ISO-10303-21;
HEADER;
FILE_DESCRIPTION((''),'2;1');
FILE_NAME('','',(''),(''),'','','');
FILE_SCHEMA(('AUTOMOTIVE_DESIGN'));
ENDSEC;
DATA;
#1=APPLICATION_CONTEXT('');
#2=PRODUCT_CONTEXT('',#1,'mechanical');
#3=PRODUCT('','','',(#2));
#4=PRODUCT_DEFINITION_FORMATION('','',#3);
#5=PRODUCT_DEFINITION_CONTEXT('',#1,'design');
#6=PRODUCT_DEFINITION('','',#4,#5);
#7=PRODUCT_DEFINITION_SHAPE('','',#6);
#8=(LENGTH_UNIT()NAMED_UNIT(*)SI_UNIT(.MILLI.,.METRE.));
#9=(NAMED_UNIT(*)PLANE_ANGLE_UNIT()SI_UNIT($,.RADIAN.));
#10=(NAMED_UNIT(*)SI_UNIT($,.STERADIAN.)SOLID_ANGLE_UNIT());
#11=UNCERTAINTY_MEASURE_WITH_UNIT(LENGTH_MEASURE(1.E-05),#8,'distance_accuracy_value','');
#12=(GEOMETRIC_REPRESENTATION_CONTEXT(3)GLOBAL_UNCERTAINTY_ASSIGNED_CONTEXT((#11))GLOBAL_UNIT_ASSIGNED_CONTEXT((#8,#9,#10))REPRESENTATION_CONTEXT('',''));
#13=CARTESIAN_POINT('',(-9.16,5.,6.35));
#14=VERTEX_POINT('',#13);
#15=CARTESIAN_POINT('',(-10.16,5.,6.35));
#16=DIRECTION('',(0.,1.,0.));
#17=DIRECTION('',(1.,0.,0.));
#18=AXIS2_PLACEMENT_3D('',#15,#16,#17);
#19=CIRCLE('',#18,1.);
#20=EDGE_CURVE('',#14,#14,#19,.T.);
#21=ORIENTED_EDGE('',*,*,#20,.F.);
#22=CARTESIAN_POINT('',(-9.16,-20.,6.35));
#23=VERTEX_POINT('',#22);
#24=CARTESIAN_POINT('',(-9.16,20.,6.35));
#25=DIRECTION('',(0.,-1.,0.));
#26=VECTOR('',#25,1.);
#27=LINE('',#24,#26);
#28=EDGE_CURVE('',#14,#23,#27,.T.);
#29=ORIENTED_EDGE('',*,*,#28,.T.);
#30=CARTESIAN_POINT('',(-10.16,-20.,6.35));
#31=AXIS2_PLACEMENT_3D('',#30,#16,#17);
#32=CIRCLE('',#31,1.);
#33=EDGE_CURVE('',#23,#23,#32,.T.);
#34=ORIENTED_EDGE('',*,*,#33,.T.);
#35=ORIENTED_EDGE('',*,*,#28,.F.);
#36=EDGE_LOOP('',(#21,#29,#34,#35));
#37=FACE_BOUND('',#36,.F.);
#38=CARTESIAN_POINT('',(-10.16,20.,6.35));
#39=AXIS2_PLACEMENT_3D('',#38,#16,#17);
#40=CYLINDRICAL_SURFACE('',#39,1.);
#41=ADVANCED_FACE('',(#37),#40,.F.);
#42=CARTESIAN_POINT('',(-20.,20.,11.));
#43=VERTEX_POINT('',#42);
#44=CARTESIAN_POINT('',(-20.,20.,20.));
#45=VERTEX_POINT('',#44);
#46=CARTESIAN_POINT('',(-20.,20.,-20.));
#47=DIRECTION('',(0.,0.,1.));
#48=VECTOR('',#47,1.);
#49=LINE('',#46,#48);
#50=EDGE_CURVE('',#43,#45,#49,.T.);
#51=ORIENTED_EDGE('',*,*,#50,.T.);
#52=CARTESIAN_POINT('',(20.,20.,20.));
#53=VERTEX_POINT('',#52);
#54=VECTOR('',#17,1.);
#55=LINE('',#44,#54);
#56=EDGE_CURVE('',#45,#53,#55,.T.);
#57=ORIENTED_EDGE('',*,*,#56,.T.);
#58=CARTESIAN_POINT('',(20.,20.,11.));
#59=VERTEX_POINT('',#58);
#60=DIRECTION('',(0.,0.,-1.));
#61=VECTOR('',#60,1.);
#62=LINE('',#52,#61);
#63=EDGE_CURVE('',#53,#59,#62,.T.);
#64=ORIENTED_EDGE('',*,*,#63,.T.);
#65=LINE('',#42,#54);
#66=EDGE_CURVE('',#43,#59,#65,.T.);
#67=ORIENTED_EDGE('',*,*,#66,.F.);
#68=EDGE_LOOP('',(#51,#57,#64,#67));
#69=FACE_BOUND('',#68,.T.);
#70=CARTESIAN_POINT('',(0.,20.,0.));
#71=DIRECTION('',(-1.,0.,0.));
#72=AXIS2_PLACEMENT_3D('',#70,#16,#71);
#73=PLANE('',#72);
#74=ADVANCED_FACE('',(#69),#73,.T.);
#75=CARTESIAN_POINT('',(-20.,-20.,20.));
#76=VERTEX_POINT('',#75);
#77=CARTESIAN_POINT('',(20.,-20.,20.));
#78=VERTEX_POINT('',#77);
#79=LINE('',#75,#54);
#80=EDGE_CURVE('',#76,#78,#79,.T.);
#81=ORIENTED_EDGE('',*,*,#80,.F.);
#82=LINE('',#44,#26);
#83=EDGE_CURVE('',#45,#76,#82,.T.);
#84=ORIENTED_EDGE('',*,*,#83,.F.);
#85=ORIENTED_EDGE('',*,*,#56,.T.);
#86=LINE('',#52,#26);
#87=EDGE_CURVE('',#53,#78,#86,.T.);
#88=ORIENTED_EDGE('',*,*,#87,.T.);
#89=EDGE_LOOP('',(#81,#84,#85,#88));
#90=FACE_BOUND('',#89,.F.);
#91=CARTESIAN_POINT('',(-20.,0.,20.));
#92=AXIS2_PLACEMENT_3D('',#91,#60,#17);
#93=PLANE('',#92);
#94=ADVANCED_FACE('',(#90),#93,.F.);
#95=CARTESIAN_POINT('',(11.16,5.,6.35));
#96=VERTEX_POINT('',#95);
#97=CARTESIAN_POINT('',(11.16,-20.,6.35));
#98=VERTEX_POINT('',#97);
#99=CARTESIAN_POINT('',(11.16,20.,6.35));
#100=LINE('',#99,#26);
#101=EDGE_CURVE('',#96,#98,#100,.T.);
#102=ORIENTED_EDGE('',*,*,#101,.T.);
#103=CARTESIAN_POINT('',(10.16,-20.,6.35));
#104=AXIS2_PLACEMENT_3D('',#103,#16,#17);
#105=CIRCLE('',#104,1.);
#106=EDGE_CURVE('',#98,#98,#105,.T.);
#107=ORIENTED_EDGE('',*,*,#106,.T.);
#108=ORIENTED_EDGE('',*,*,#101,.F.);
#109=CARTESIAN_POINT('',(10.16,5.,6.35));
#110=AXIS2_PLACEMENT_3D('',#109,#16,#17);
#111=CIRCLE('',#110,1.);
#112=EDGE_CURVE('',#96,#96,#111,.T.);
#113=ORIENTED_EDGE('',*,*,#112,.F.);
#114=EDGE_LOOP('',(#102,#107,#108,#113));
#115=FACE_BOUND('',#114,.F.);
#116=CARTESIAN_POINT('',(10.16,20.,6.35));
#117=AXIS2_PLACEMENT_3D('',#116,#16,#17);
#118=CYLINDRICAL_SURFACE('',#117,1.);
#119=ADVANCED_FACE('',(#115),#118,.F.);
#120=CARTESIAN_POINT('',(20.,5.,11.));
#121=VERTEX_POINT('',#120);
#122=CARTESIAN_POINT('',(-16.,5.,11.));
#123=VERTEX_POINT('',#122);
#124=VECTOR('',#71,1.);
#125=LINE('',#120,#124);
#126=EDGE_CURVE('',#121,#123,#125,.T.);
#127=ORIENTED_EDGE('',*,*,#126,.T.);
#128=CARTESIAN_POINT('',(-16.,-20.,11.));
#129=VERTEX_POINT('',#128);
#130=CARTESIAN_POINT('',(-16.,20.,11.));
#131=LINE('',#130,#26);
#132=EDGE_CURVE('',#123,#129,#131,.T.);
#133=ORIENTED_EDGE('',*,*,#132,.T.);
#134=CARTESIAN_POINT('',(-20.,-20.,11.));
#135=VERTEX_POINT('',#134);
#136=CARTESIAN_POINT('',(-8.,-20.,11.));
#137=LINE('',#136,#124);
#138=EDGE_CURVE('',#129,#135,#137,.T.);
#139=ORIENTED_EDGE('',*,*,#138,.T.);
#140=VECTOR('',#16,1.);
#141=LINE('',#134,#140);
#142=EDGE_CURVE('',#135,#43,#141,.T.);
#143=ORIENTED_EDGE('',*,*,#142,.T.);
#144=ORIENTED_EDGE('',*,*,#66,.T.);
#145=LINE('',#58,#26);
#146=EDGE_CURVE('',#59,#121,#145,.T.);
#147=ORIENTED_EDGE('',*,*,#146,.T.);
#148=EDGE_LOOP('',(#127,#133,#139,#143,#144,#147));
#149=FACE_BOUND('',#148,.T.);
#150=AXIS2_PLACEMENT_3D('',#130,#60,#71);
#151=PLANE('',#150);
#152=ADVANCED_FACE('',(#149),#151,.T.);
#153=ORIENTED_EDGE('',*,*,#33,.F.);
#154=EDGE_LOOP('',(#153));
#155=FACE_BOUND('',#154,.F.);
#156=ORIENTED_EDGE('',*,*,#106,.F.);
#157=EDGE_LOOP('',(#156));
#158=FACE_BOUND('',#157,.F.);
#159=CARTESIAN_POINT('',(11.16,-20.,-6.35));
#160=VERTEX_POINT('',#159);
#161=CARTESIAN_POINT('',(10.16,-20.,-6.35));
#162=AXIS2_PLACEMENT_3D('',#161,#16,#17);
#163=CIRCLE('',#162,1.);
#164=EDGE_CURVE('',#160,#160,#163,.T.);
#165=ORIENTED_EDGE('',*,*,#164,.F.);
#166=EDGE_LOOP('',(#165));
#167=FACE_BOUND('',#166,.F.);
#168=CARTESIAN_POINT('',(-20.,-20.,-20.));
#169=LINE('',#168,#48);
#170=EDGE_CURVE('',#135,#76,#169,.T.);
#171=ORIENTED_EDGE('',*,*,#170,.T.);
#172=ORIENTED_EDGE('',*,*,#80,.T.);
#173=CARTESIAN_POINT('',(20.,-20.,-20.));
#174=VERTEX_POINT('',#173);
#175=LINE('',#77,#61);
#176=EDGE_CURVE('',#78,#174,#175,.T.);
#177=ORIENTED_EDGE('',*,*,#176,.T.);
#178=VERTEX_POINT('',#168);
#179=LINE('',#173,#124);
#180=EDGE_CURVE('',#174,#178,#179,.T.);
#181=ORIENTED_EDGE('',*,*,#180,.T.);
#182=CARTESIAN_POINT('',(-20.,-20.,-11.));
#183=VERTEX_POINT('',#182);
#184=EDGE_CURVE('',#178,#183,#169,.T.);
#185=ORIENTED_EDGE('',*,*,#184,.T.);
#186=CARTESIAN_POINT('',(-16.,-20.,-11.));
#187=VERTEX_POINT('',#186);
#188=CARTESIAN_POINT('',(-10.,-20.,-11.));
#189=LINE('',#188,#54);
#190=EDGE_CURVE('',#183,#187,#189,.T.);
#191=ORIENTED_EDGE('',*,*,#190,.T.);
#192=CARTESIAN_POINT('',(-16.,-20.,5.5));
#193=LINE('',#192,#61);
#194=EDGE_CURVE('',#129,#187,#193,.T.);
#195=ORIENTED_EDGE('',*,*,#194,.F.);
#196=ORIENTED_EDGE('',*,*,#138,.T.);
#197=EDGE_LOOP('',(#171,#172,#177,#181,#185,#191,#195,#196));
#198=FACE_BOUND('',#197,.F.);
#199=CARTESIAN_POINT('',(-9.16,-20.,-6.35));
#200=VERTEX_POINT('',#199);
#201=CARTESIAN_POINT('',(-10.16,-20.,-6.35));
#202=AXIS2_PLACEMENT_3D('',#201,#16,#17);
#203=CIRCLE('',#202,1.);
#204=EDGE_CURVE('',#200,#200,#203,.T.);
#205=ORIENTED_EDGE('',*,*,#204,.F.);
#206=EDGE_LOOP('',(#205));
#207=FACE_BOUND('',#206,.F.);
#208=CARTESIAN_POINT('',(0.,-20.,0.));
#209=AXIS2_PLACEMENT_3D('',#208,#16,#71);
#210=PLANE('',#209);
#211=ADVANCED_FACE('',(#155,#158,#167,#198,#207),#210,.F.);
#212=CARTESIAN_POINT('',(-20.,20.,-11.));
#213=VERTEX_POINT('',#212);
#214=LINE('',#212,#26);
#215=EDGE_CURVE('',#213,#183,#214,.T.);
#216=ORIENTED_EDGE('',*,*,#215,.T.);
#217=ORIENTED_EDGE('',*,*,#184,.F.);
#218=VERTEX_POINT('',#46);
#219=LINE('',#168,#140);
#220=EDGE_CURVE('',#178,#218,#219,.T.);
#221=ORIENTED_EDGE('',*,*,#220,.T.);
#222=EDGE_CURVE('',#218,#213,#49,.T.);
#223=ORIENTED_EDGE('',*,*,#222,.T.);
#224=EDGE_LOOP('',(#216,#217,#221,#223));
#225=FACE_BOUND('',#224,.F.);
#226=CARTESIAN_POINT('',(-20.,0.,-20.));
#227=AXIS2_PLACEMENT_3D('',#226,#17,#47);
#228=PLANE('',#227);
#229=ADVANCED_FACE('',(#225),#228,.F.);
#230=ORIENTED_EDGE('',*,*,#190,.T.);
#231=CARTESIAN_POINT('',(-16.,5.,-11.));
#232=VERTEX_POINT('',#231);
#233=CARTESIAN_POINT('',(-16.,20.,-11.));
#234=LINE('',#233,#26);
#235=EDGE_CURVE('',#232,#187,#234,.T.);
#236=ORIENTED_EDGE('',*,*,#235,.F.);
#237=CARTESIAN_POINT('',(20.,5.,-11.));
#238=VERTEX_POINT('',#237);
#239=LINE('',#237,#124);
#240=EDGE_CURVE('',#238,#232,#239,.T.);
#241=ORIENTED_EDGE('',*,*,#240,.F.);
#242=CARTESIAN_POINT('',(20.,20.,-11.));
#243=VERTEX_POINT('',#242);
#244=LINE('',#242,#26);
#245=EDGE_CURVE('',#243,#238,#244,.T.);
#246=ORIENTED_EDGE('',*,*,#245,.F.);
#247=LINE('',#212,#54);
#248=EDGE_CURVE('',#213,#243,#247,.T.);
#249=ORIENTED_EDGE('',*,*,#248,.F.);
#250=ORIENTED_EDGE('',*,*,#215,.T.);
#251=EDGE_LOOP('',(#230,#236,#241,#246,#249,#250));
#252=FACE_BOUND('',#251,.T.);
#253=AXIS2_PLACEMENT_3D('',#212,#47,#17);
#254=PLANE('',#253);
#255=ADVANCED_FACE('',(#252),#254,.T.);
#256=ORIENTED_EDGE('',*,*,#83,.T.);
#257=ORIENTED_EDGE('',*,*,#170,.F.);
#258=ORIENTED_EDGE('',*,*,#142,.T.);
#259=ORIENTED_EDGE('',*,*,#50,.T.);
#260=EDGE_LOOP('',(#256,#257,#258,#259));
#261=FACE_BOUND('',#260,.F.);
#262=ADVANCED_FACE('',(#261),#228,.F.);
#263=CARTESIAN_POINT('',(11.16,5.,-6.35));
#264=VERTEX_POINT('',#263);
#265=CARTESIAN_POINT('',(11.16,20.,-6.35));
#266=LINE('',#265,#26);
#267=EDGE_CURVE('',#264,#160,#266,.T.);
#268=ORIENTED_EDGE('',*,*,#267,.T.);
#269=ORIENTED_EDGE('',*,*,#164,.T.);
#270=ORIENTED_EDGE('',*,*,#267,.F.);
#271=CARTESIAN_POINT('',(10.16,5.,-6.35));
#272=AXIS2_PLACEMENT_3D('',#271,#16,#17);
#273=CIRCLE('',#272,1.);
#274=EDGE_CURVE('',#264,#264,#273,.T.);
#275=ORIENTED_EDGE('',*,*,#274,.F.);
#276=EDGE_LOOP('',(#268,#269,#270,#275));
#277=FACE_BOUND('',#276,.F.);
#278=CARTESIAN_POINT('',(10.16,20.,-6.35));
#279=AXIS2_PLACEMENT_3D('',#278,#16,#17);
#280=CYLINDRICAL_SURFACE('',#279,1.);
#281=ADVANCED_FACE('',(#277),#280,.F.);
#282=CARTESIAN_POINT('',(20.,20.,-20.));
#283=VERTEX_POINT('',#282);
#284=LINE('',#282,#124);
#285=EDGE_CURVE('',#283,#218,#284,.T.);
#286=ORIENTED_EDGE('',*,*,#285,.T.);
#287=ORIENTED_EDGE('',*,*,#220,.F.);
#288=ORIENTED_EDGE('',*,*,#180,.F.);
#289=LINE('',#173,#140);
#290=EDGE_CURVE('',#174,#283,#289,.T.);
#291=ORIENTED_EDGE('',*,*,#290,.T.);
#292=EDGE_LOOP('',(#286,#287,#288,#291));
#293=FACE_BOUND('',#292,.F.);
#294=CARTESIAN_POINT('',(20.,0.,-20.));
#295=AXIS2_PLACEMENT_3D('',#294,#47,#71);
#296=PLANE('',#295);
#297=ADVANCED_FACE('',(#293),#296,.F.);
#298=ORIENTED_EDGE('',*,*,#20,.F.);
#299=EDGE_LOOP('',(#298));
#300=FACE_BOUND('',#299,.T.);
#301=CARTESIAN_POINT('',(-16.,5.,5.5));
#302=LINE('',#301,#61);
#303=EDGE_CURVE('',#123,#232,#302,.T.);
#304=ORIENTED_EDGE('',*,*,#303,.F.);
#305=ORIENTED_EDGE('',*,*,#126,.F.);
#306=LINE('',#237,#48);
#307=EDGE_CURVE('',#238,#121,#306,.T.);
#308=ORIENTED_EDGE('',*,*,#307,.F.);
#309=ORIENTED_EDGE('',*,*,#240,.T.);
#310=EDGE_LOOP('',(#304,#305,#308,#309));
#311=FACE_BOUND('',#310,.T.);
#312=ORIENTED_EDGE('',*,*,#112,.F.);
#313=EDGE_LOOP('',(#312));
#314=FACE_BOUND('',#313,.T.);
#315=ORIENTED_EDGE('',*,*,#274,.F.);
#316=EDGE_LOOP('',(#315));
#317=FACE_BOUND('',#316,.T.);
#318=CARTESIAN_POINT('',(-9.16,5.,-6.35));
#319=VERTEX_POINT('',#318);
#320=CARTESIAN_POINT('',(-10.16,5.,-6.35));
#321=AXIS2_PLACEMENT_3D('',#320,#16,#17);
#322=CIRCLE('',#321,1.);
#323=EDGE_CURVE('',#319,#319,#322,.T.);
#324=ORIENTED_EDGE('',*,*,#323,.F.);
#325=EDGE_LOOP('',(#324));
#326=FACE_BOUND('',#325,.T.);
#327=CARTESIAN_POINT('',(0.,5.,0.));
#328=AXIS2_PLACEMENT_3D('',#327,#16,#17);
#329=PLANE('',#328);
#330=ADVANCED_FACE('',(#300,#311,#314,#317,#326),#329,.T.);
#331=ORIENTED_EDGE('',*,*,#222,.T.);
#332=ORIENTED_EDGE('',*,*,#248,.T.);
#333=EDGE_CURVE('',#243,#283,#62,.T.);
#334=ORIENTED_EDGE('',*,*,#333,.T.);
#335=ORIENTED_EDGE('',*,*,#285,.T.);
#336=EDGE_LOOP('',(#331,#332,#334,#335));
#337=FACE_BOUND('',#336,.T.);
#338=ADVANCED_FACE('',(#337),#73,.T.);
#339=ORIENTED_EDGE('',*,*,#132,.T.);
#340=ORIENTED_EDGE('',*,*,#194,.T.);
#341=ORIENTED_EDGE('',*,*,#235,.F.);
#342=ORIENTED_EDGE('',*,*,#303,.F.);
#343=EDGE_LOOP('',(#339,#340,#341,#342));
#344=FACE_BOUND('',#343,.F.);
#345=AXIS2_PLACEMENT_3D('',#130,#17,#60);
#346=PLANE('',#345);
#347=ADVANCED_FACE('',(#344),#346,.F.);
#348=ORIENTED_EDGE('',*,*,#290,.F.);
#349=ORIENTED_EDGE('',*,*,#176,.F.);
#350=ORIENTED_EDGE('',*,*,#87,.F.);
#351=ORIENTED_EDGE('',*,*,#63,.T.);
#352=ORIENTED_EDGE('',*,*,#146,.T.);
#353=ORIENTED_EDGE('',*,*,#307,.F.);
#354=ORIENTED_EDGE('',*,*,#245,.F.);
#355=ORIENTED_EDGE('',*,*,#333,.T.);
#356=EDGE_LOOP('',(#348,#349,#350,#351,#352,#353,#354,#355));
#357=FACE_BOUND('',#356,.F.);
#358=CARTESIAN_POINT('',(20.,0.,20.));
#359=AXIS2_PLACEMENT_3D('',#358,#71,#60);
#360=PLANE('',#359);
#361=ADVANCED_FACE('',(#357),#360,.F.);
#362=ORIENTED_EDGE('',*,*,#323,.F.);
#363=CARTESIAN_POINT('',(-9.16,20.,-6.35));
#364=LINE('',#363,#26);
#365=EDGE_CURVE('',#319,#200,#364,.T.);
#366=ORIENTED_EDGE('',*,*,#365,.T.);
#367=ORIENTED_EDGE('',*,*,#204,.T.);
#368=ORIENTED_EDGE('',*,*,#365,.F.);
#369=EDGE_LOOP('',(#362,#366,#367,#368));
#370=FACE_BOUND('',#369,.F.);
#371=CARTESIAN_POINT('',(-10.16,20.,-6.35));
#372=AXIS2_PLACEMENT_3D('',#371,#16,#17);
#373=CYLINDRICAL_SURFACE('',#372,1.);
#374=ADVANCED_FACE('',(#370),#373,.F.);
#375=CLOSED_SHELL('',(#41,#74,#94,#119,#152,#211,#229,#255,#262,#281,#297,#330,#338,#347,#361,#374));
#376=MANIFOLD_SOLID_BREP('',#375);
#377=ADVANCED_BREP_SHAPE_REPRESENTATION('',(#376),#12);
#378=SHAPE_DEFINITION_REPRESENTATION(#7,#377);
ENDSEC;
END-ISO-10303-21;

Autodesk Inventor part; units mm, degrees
ref_plane "YZ Plane" through (0, 0, 0) normal (1, 0, 0) x (0, 1, 0)
ref_plane "XZ Plane" through (0, 0, 0) normal (0, 1, 0) x (-1, 0, 0)
ref_plane "XY Plane" through (0, 0, 0) normal (0, 0, 1) x (1, 0, 0)
sketch "Sketch1" plane through (0, 0, 0) normal (0, 1, 0) x (-1, 0, 0)
  line L0 (-20, -20) -> (20, -20)
  line L1 (20, -20) -> (20, 20)
  line L2 (20, 20) -> (-20, 20)
  line L3 (-20, 20) -> (-20, -20)
  line L4 (-20, -20) -> (20, 20) construction
  line L5 (20, -20) -> (-20, 20) construction
  point P0 (0, 0)
  dimension "d0" = 40
extrude "Extrusion1" add sketch "Sketch1" along normal mid plane 40
sketch "Sketch2" plane through (0, 20, 0) normal (0, 1, 0) x (1, 0, 0)
  line L0 (-20, 20) -> (-20, -20) projected
  line L1 (20, -11) -> (-20, -11)
  line L2 (-20, -11) -> (-20, 11)
  line L3 (-20, 11) -> (20, 11)
  line L4 (20, 11) -> (20, -11)
  line L5 (20, -11) -> (-20, 11) construction
  line L6 (-20, -11) -> (20, 11) construction
  line L7 (-24, -11) -> (-16, -11)
  line L8 (-16, -11) -> (-16, 11)
  line L9 (-16, 11) -> (-24, 11)
  line L10 (-24, 11) -> (-24, -11)
  line L11 (-24, -11) -> (-16, 11) construction
  line L12 (-16, -11) -> (-24, 11) construction
  line L13 (-10.16, 6.35) -> (10.16, 6.35) construction
  line L14 (10.16, 6.35) -> (10.16, -6.35) construction
  line L15 (10.16, -6.35) -> (-10.16, -6.35) construction
  line L16 (-10.16, -6.35) -> (-10.16, 6.35) construction
  line L17 (-10.16, 6.35) -> (10.16, -6.35) construction
  line L18 (10.16, 6.35) -> (-10.16, -6.35) construction
  circle A0 centre (10.16, -6.35) radius 1
  circle A1 centre (-10.16, -6.35) radius 1
  circle A2 centre (-10.16, 6.35) radius 1
  circle A3 centre (10.16, 6.35) radius 1
  point P0 (0, 0)
  point P1 (-20, -11)
  point P2 (-20, 0)
  point P3 (-20, -11)
  point P4 (-16, -11)
  dimension "d3" = 22
  dimension "d6" = 8
  dimension "d9" = 12.7
  dimension "d10" = 20.32
  dimension "d11" = 2
extrude "Extrusion2" cut sketch "Sketch2" against normal blind 15 contours L3 L8 L1 L0 | L3 L4 L1 L8 | A0 | A1 | A2 | A3
extrude "Extrusion3" cut sketch "Sketch2" against normal through all contours L3 L8 L1 L0 | L0 L7 L10 L9
extrude "Extrusion4" cut sketch "Sketch2" against normal through all contours A0 | A1 | A2 | A3
properties part number "IMU_Calibration_Cube"
